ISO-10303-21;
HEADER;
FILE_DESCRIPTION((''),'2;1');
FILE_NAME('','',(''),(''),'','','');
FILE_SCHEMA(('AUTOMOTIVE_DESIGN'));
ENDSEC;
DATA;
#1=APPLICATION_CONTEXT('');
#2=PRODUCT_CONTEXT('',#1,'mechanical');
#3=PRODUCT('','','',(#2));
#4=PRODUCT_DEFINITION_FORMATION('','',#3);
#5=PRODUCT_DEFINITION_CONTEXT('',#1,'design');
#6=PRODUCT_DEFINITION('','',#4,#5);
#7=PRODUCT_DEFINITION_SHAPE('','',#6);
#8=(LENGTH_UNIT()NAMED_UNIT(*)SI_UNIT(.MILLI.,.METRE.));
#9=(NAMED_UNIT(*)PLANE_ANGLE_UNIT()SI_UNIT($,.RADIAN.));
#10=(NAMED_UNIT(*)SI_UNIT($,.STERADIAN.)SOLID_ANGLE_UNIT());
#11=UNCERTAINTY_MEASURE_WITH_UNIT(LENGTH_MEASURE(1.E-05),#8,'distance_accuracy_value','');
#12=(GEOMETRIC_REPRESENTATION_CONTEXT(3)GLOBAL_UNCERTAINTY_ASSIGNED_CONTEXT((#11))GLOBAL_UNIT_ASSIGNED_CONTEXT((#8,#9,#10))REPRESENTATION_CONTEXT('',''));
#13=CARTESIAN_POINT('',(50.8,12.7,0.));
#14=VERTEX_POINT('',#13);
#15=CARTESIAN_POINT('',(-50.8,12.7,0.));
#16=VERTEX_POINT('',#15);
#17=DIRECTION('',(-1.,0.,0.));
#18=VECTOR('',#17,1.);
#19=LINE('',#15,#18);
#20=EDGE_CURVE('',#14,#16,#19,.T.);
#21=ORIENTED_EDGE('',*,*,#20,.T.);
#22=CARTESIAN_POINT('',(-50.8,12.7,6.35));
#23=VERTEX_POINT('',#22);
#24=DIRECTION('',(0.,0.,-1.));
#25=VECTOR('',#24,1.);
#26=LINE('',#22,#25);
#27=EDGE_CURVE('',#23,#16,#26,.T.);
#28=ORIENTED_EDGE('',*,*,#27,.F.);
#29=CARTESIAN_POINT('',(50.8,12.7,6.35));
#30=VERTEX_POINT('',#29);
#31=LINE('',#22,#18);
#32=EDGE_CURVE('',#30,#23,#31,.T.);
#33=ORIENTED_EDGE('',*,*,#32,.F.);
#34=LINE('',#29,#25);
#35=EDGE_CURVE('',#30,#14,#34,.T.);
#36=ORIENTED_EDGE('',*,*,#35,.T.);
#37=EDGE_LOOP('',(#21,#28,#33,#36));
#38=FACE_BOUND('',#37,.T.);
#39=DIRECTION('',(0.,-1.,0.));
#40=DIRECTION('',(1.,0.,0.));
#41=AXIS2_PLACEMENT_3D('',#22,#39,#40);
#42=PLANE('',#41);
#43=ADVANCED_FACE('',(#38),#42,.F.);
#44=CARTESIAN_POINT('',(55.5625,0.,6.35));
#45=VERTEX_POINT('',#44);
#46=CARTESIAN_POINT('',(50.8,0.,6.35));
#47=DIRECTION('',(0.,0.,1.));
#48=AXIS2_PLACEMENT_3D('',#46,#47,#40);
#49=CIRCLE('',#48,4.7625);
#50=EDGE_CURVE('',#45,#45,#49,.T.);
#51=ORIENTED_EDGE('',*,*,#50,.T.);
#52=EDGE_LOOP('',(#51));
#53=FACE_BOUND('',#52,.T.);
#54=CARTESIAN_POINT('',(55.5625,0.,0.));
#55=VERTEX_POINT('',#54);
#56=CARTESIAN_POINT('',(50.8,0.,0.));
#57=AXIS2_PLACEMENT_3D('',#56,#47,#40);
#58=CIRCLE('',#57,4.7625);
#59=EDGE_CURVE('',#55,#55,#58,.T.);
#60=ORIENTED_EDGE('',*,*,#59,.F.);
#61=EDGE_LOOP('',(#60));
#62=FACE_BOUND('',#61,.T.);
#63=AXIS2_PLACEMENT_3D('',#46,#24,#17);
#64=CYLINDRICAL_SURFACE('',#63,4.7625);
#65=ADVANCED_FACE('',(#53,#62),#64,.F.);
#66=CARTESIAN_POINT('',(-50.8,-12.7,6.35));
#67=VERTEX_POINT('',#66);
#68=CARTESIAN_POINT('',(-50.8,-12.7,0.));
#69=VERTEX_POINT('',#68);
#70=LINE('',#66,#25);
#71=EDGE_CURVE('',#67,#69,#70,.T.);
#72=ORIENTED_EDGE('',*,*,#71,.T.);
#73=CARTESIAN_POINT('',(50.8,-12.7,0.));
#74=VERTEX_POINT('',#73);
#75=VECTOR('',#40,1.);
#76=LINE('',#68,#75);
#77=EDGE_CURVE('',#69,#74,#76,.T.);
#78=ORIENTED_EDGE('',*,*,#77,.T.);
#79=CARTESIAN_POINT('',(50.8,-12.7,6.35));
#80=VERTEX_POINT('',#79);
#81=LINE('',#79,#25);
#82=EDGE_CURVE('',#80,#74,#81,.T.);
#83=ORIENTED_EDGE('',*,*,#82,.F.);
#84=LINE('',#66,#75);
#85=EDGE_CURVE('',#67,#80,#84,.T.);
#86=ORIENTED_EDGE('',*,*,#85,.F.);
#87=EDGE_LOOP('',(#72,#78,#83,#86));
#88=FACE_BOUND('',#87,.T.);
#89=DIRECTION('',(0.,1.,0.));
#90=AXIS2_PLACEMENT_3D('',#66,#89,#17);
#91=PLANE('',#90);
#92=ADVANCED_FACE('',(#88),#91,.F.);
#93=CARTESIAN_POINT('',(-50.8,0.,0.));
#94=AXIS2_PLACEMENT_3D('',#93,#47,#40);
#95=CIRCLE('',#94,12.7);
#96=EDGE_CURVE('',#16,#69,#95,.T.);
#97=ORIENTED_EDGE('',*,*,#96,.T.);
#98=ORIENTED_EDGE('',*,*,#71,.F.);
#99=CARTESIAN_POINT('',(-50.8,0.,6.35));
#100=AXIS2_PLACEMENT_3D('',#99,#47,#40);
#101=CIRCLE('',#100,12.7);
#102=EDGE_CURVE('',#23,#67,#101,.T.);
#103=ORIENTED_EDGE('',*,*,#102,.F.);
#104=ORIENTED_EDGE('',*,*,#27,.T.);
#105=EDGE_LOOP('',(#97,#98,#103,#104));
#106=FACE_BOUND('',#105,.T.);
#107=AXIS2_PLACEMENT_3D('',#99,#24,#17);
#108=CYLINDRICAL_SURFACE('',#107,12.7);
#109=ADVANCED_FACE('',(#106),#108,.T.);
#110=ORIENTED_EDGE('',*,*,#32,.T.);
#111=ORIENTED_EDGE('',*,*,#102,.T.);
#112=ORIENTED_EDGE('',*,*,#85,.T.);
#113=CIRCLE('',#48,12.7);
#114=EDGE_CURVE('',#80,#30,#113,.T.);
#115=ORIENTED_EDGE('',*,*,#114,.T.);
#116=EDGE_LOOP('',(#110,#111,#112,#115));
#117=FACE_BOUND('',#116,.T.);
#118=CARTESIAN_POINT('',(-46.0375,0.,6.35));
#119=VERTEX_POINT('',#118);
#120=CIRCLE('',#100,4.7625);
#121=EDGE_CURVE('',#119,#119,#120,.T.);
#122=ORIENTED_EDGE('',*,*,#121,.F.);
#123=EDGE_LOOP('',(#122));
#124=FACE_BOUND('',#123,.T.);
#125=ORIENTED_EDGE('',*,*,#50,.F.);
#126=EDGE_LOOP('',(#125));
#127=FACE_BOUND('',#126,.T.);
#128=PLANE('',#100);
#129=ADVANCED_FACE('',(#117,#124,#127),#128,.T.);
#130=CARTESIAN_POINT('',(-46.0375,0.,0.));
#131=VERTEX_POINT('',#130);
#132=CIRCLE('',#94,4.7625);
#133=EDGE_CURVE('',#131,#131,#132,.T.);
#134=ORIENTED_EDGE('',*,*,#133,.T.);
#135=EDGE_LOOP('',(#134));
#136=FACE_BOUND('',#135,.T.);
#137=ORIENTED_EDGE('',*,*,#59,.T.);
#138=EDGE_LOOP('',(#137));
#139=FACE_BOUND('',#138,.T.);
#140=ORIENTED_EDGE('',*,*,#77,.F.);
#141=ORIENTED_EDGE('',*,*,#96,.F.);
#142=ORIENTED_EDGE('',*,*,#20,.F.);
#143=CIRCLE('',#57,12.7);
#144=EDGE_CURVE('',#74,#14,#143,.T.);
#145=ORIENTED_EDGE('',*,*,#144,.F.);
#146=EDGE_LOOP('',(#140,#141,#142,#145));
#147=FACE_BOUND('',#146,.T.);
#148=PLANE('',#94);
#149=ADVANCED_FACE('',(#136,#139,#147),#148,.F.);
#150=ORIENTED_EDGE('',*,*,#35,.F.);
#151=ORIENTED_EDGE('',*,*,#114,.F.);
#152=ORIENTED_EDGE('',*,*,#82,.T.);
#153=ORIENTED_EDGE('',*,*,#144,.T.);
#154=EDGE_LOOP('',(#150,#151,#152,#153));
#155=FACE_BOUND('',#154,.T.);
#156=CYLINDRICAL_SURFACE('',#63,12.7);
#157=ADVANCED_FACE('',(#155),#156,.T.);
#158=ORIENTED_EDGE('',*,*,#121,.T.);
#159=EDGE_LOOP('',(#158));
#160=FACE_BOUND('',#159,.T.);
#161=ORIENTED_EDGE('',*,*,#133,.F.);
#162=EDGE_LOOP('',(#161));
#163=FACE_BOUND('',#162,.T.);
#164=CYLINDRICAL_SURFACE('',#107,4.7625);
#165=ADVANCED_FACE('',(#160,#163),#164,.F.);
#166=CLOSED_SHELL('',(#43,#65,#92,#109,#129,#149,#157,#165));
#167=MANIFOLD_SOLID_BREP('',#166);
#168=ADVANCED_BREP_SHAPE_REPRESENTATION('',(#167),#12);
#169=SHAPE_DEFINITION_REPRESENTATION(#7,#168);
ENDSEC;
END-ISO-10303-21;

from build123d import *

# Parameters (mm, degrees)
SKETCH1_R           = 4.7625
BOSS_EXTRUDE1_DEPTH = 6.35


with BuildPart() as part:
    # Sketch1 → Boss-Extrude1 (new body)
    with BuildSketch(Plane.XY):
        with BuildLine():
            Line((-50.8, 12.7), (50.8, 12.7))
            ThreePointArc((50.8, 12.7), (63.5, 0), (50.8, -12.7))
            Line((50.8, -12.7), (-50.8, -12.7))
            ThreePointArc((-50.8, -12.7), (-63.5, 0), (-50.8, 12.7))
        make_face()
        with Locations((-50.8, 0)):
            Circle(SKETCH1_R, mode=Mode.SUBTRACT)
        with Locations((50.8, 0)):
            Circle(SKETCH1_R, mode=Mode.SUBTRACT)
    extrude(amount=BOSS_EXTRUDE1_DEPTH)


solid = part.part
